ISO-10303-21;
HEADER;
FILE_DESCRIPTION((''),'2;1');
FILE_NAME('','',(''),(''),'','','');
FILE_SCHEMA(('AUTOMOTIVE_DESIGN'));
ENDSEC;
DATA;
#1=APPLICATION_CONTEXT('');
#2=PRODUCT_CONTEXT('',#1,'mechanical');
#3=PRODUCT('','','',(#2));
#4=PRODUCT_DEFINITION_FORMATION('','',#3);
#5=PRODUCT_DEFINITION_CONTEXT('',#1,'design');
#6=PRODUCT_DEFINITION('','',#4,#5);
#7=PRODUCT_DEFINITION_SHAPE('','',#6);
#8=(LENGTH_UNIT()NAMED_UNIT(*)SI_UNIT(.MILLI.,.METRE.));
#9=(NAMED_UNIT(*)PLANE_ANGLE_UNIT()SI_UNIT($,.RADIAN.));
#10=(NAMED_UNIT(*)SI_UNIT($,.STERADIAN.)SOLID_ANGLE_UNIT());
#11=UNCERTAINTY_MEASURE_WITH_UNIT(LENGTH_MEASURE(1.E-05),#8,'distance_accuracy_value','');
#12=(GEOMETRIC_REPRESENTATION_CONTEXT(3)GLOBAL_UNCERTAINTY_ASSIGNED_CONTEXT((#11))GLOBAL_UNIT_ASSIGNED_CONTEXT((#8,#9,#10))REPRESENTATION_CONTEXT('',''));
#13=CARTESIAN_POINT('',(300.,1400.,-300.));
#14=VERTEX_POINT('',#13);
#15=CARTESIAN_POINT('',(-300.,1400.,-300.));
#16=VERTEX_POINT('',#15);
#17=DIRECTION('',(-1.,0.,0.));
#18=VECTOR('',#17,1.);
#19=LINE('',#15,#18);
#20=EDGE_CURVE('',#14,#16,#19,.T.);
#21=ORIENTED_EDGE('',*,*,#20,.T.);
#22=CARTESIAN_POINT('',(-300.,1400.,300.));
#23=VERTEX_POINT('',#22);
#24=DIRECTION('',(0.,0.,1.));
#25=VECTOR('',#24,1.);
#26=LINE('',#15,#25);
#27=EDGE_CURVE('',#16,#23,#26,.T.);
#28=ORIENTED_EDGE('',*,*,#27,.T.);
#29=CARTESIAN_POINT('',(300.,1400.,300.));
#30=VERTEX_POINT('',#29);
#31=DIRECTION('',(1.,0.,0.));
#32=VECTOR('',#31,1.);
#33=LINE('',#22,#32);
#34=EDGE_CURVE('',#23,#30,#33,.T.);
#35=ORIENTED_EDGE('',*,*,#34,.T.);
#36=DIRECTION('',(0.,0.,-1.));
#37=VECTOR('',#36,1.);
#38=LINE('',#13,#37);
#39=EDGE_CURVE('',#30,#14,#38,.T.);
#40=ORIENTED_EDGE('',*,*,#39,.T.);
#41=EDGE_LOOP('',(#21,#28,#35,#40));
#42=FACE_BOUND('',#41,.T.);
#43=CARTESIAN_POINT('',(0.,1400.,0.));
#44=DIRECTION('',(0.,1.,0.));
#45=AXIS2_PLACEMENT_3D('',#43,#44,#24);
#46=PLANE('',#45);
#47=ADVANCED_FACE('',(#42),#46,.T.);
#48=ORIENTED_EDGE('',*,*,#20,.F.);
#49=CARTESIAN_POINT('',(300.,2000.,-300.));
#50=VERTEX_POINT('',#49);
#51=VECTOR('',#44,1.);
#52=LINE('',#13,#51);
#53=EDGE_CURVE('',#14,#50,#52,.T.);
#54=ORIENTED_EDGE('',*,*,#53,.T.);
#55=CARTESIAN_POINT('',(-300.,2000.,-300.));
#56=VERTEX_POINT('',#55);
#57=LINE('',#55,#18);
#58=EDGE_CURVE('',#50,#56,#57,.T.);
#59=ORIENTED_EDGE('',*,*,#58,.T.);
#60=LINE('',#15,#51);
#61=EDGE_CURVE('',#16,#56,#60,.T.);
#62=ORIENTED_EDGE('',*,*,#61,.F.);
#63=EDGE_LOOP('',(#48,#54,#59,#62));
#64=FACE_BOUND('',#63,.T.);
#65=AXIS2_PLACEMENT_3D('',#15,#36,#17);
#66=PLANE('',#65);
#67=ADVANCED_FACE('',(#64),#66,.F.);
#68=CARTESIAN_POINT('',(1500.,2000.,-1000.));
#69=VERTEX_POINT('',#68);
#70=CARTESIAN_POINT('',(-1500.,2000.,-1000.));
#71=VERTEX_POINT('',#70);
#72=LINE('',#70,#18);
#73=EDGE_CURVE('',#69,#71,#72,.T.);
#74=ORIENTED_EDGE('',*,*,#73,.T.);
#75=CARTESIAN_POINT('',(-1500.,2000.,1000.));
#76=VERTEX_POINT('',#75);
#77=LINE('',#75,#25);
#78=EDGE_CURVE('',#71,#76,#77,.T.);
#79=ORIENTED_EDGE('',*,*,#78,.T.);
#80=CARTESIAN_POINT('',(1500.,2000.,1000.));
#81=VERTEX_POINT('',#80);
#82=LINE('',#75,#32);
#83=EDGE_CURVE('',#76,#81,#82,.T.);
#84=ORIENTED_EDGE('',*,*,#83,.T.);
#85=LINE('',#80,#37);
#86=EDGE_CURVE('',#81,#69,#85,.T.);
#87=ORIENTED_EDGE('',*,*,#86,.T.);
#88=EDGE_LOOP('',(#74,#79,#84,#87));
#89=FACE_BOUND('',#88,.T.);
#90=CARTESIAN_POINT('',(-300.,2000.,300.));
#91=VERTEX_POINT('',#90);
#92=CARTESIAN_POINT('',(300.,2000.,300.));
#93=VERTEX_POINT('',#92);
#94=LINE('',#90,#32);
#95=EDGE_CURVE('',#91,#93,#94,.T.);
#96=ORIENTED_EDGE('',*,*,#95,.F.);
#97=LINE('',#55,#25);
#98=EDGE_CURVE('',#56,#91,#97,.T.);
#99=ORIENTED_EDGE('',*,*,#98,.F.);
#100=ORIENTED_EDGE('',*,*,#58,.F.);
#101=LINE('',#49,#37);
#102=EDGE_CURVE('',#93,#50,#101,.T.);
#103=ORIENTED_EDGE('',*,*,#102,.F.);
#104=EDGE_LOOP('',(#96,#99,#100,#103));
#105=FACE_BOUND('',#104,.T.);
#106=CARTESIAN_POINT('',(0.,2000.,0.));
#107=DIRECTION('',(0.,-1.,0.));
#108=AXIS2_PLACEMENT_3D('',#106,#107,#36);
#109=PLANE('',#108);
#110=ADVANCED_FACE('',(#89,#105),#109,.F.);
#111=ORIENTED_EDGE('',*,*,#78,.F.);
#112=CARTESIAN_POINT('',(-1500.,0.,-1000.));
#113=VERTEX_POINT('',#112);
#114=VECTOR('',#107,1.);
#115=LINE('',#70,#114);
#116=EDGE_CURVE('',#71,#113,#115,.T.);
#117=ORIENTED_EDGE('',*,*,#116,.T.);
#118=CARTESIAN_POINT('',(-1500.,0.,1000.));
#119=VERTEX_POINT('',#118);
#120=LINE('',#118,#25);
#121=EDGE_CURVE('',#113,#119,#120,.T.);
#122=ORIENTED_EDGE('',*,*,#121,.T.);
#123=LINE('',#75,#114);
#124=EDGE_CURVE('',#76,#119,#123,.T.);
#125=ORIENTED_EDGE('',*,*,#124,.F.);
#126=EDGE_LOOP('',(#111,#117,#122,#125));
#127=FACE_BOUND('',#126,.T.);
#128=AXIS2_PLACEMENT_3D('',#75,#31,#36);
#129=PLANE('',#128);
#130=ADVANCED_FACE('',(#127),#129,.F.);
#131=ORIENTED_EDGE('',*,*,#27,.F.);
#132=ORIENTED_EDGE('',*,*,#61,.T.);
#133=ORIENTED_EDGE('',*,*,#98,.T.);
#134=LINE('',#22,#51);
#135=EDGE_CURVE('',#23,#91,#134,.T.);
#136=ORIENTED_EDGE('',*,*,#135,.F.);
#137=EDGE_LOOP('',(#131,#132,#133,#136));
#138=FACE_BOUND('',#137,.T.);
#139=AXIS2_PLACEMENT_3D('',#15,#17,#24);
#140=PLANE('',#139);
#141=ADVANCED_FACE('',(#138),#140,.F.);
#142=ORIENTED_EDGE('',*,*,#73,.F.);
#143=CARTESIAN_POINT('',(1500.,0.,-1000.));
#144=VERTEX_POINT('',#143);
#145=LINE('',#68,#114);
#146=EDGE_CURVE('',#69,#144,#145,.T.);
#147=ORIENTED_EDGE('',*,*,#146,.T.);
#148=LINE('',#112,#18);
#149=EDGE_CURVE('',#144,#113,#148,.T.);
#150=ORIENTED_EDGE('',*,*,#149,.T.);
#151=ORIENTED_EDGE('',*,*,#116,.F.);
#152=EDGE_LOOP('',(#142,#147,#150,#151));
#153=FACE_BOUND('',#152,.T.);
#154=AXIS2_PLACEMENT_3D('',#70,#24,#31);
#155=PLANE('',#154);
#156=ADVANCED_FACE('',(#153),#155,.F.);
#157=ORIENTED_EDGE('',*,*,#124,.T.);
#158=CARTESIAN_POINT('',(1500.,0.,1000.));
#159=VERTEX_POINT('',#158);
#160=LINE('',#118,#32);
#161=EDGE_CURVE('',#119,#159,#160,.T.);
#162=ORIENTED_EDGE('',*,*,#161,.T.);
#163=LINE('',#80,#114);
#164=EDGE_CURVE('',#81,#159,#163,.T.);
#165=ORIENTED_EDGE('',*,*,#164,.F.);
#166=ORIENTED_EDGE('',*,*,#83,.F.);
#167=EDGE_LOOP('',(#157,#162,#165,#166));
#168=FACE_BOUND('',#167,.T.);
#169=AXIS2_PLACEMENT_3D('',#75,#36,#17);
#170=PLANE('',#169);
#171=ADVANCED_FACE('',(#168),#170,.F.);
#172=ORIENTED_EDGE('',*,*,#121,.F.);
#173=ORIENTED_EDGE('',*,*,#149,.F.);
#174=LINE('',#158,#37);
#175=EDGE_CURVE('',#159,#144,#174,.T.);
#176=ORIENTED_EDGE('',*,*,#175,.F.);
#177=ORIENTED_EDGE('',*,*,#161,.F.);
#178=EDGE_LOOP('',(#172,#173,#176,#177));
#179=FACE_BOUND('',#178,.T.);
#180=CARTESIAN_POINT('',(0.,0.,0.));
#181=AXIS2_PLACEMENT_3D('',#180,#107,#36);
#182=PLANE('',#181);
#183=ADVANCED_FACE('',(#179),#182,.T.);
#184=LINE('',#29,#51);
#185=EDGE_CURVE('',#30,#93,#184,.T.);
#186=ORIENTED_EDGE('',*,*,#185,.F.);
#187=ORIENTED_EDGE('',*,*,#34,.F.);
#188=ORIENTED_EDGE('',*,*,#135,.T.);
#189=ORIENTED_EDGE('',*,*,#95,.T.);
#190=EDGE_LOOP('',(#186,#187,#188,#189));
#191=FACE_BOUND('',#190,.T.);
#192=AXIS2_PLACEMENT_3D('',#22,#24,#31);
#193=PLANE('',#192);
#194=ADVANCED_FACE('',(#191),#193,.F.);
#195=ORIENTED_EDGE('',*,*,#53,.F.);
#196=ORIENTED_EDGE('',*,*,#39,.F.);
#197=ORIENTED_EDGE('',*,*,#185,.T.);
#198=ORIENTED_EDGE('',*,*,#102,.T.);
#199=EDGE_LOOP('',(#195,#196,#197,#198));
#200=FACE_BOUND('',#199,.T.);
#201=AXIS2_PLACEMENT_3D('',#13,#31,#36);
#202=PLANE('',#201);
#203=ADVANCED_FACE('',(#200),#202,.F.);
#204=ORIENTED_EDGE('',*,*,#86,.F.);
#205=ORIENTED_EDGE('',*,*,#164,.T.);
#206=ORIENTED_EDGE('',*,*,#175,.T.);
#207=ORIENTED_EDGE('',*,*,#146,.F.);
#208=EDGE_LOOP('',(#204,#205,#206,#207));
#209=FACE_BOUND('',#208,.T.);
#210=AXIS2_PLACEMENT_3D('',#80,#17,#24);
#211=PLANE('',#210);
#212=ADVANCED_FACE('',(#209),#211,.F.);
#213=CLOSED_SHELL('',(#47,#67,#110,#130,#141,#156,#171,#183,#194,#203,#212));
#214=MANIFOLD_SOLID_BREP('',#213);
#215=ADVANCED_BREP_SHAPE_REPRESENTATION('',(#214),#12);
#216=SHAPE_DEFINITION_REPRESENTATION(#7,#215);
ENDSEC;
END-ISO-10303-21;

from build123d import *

# Parameters (mm, degrees)
SKETCH1_W           = 3000
SKETCH1_H           = 2000
BOSS_EXTRUDE1_DEPTH = 2000
SKETCH8_W           = 600
SKETCH8_H           = 600
CUT_EXTRUDE1_DEPTH  = 600


with BuildPart() as part:
    # Sketch1 → Boss-Extrude1 (new body)
    with BuildSketch(Plane(origin=(0, 0, 0), x_dir=(1, 0, 0), z_dir=(0, 1, 0))):
        Rectangle(SKETCH1_W, SKETCH1_H)
    extrude(amount=BOSS_EXTRUDE1_DEPTH)

    # Sketch8 → Cut-Extrude1 (cut)
    with BuildSketch(Plane(origin=(0, 2000, 0), x_dir=(1, 0, 0), z_dir=(0, 1, 0))):
        Rectangle(SKETCH8_W, SKETCH8_H)
    extrude(amount=-CUT_EXTRUDE1_DEPTH, mode=Mode.SUBTRACT)


solid = part.part
